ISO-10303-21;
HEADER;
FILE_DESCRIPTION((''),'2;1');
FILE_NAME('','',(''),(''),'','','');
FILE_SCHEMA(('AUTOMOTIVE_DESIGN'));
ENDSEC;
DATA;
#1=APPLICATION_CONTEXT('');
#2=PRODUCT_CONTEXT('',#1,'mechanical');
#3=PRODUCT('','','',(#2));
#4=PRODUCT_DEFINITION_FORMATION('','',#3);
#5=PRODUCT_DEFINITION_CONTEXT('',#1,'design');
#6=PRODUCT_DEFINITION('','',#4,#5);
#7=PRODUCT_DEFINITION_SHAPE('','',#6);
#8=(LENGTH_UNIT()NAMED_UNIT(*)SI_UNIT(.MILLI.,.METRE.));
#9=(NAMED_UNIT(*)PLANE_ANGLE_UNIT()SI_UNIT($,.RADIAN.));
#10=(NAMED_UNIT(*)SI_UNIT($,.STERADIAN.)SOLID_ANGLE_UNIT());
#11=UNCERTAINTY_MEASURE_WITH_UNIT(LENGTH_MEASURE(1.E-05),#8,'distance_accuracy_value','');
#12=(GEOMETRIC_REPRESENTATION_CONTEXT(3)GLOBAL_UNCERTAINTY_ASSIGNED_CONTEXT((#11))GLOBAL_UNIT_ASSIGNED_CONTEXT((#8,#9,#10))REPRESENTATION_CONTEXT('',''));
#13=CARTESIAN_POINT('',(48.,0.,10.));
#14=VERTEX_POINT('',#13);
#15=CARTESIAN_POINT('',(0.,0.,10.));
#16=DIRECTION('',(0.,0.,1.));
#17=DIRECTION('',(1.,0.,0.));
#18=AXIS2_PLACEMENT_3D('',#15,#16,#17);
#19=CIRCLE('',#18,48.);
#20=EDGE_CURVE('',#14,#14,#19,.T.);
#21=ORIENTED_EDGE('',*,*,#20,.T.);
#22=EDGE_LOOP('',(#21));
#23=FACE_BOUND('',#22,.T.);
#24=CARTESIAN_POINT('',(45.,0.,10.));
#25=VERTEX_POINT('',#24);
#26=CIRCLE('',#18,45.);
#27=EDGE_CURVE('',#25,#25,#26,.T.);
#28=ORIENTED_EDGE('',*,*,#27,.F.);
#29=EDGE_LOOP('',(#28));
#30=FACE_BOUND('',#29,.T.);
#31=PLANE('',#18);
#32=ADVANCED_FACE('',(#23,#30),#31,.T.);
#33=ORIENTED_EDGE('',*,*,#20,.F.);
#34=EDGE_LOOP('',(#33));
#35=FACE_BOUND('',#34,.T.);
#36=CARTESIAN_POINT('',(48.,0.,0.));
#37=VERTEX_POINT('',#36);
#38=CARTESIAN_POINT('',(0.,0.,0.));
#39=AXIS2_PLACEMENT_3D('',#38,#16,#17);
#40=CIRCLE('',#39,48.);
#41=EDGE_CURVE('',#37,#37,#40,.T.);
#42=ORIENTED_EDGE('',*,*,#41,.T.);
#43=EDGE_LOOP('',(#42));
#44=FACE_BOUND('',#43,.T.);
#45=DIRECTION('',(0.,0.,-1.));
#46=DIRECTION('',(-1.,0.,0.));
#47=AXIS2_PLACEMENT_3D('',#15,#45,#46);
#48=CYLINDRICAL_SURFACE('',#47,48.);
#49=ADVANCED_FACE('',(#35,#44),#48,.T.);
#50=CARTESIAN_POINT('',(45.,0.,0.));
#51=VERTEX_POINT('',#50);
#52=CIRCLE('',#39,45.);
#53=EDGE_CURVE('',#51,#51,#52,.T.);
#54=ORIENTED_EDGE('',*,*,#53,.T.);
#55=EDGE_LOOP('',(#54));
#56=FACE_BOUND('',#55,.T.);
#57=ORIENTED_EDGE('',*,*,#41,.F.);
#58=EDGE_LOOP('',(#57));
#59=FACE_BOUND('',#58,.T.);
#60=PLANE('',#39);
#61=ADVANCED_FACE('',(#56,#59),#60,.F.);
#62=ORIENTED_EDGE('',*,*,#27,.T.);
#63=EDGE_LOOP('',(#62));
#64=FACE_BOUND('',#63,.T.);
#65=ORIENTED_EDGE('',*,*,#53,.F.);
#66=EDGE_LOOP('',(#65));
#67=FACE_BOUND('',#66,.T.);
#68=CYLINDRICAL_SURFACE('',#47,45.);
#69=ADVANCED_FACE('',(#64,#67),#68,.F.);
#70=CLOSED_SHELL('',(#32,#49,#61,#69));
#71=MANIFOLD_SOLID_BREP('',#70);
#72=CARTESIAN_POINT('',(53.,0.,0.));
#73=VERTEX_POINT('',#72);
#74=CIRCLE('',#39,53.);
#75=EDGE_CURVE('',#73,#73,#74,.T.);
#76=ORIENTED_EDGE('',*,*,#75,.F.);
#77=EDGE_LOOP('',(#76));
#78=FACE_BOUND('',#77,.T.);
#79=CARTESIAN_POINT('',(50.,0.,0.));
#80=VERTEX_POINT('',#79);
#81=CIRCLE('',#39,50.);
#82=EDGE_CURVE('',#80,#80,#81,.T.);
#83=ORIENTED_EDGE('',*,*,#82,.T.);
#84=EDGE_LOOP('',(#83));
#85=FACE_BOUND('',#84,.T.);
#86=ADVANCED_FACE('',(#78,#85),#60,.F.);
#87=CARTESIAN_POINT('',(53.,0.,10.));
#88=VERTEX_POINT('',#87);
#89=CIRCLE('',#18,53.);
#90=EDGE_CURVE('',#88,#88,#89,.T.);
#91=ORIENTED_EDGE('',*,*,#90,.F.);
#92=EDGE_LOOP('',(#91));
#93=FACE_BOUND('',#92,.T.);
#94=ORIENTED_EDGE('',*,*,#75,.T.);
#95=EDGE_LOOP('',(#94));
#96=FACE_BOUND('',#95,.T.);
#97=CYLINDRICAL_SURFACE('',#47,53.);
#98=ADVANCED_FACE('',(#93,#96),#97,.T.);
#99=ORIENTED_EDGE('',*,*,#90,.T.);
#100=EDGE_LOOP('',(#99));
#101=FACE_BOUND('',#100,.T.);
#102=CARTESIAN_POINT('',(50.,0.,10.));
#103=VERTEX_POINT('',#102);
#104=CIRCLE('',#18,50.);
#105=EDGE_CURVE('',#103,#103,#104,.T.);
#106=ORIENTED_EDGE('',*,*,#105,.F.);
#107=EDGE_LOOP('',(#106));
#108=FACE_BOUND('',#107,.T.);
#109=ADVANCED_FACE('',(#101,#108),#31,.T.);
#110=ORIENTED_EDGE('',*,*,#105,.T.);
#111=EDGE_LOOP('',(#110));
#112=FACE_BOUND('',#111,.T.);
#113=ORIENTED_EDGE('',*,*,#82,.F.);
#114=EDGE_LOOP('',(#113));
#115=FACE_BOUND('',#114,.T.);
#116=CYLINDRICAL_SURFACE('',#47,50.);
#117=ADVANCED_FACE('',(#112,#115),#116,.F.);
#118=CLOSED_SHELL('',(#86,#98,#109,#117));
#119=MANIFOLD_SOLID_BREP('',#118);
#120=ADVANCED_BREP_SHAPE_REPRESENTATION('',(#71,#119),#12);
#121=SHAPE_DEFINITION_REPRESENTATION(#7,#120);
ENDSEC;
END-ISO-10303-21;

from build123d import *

# Parameters (mm, degrees)
SKETCH1_R             = 48
SKETCH1_R_2           = 45
BOSS_EXTRUDE1_DEPTH   = 10
SKETCH1_R_3           = 53
SKETCH1_R_4           = 50
BOSS_EXTRUDE1_2_DEPTH = 10


with BuildPart() as part:
    # Sketch1 → Boss-Extrude1 (new body)
    with BuildSketch(Plane.XY):
        Circle(SKETCH1_R)
        Circle(SKETCH1_R_2, mode=Mode.SUBTRACT)
    extrude(amount=BOSS_EXTRUDE1_DEPTH)


with BuildPart() as body_2:
    # Sketch1 → Boss-Extrude1 2 (new body)
    with BuildSketch(Plane.XY):
        Circle(SKETCH1_R_3)
        Circle(SKETCH1_R_4, mode=Mode.SUBTRACT)
    extrude(amount=BOSS_EXTRUDE1_2_DEPTH)


solid = Compound([part.part, body_2.part])
